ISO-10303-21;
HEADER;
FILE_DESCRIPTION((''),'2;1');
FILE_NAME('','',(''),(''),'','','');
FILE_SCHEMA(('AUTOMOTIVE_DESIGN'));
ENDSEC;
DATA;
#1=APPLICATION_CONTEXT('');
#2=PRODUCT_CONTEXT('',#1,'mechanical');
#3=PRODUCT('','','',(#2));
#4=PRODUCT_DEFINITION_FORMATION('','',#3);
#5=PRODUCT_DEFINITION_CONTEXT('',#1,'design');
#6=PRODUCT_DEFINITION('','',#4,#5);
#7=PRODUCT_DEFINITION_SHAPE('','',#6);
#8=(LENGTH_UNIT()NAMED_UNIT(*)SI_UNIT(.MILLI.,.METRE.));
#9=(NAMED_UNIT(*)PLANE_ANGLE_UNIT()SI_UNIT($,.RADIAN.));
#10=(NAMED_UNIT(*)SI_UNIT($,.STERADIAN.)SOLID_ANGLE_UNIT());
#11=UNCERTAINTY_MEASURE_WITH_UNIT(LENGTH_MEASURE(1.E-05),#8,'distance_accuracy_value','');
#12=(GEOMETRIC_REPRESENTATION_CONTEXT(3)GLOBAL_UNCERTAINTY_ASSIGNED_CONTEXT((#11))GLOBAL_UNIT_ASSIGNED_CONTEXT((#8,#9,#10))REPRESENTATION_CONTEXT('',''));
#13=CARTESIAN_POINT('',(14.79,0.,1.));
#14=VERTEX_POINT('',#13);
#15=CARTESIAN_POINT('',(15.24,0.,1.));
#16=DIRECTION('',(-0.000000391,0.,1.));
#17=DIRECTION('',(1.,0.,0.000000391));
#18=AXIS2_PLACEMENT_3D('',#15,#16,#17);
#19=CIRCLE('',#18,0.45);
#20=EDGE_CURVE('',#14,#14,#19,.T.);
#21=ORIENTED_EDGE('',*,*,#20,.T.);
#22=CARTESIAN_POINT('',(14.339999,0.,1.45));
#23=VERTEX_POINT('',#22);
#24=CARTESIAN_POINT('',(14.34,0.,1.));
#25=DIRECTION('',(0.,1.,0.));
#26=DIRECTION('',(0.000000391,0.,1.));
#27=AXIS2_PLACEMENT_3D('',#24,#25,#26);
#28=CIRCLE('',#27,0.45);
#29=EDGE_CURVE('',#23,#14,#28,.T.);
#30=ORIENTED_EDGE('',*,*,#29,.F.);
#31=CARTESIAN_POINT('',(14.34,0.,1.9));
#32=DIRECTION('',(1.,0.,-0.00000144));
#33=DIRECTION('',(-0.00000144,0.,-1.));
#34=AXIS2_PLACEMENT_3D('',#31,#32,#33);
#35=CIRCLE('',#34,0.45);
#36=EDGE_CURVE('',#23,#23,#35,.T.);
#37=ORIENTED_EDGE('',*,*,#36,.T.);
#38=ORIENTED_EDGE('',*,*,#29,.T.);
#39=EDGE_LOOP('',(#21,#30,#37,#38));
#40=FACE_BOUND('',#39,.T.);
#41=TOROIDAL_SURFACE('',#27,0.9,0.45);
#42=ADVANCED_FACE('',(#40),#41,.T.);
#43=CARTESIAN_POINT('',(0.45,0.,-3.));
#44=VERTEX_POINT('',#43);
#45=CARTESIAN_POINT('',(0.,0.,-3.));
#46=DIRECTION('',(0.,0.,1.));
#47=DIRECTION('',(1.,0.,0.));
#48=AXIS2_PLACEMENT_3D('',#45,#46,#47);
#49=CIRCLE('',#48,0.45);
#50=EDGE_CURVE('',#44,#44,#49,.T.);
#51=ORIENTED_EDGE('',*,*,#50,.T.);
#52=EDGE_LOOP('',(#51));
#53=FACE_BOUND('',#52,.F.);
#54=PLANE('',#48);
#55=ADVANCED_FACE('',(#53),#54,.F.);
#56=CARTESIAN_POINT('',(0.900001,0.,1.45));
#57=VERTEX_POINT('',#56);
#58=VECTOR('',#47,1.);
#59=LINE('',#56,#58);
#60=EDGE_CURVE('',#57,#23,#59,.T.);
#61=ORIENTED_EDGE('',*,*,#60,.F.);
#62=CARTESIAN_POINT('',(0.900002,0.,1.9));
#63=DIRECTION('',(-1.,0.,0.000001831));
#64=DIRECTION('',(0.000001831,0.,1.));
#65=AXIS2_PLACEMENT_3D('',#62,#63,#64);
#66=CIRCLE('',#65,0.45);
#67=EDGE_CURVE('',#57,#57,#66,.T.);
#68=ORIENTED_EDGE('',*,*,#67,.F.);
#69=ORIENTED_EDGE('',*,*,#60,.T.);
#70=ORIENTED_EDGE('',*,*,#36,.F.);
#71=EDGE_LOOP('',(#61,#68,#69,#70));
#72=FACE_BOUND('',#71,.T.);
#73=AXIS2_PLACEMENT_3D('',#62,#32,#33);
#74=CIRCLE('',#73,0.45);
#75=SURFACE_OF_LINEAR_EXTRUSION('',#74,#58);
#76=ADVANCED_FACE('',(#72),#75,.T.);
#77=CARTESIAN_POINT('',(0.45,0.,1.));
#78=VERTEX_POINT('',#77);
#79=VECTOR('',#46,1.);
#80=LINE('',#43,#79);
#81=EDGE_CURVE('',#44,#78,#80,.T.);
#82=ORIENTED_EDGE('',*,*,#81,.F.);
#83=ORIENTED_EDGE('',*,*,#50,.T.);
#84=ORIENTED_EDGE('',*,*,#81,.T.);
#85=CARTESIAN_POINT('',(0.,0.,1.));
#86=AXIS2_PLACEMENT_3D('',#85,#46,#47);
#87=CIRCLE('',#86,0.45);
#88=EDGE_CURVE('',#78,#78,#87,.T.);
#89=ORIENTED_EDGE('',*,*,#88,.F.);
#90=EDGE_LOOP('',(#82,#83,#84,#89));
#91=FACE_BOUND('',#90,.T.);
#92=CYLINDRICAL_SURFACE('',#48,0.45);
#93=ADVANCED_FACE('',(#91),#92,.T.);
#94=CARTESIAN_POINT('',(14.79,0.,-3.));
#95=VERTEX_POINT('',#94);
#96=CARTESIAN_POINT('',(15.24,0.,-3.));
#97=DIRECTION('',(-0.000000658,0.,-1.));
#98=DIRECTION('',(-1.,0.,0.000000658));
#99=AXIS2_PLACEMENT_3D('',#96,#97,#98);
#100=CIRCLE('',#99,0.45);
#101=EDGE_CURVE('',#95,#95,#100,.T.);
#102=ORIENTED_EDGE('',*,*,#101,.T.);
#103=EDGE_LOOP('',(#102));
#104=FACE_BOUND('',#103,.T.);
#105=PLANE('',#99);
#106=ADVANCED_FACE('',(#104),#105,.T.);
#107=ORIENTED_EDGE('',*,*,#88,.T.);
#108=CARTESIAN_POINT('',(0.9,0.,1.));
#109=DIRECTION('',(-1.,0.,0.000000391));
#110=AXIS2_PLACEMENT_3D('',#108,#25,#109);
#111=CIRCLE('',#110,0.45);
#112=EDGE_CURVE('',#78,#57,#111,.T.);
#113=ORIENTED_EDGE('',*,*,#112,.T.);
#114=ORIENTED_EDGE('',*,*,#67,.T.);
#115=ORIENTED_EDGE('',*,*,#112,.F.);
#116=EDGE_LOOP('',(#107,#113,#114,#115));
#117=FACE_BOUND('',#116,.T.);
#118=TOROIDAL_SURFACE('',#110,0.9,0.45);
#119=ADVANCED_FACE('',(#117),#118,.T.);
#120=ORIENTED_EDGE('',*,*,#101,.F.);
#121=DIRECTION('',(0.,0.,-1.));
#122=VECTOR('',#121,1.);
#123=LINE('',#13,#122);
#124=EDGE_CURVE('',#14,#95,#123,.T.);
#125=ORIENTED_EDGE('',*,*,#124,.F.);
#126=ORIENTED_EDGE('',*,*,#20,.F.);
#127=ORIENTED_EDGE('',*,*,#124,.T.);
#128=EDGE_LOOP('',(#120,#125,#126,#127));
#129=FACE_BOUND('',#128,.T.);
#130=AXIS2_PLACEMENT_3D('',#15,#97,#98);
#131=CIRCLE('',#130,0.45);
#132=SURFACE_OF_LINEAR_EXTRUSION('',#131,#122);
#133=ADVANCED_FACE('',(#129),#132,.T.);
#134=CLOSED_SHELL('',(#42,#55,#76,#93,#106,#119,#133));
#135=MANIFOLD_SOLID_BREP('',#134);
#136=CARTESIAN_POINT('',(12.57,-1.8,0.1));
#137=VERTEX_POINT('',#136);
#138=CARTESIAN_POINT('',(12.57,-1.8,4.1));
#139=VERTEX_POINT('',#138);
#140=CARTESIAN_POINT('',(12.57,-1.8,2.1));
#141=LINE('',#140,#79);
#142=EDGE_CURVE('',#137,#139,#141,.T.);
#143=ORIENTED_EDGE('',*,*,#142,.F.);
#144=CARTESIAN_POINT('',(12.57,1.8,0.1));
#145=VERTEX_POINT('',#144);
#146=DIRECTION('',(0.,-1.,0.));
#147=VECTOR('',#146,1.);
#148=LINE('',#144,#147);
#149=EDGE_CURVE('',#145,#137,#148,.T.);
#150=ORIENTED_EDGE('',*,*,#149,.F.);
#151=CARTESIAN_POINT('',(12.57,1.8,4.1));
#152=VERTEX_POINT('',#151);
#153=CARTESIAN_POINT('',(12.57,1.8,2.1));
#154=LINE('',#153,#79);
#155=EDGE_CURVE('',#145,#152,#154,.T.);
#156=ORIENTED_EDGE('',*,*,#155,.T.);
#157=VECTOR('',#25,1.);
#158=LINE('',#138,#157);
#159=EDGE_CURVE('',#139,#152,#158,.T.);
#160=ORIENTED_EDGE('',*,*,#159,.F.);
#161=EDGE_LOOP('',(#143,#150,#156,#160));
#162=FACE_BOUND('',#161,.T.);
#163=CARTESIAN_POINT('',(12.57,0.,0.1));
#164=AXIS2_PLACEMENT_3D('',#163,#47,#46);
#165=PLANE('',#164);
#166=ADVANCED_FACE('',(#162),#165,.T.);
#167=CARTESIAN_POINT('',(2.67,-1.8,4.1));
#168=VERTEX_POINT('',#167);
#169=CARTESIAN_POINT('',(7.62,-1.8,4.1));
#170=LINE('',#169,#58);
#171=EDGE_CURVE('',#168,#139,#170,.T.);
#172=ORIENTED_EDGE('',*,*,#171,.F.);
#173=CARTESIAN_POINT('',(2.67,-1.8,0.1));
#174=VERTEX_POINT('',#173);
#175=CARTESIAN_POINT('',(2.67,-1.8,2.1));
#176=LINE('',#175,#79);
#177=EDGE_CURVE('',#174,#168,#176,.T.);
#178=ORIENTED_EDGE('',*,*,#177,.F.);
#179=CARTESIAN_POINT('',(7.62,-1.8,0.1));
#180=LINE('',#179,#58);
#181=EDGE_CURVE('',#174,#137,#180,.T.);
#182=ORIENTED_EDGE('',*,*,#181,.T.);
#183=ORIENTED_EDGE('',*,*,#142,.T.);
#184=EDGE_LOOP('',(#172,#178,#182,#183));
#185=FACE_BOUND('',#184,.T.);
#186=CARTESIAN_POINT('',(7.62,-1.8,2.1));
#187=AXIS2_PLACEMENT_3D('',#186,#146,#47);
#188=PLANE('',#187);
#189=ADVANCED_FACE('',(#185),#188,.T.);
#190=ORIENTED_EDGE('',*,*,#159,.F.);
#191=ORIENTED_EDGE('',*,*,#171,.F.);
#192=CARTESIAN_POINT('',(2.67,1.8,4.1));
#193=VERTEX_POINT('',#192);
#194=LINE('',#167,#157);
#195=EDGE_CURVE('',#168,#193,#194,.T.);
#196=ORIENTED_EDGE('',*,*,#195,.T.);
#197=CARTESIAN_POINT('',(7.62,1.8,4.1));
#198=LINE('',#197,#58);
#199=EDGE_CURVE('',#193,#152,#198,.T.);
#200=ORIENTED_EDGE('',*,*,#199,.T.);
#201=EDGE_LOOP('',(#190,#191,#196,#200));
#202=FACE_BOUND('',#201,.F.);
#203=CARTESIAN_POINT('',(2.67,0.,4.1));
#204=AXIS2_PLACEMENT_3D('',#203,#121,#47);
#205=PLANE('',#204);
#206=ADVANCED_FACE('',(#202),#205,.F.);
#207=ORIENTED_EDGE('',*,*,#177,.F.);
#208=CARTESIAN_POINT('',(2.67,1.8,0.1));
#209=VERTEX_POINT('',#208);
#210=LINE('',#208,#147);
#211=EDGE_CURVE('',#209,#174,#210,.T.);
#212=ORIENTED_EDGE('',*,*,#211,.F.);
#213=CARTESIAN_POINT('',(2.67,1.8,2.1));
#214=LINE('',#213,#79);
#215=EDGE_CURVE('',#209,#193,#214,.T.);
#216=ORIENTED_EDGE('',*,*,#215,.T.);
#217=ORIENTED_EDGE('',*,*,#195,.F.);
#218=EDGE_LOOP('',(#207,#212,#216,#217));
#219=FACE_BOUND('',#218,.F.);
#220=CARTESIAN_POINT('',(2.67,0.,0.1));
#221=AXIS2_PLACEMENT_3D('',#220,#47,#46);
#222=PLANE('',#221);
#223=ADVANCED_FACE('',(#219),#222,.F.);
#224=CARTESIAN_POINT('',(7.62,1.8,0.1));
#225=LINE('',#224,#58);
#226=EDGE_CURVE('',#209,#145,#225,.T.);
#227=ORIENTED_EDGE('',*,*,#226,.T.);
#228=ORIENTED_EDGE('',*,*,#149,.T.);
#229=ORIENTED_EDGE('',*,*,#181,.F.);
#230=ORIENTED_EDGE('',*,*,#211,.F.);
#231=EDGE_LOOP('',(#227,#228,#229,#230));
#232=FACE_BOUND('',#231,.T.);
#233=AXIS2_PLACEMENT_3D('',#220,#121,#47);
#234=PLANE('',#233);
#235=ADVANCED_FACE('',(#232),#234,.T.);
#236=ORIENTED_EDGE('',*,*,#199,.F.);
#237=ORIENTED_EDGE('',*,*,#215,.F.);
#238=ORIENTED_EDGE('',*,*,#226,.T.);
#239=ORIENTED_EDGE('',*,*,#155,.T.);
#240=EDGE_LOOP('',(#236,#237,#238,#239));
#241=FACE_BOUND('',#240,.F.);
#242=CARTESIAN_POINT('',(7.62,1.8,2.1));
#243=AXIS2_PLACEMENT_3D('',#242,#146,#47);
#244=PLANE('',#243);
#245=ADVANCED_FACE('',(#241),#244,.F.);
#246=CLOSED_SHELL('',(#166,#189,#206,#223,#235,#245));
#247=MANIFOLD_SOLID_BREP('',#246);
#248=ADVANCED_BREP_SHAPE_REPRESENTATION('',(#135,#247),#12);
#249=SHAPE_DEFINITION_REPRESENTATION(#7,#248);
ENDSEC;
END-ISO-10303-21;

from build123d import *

# Parameters (mm, degrees)
SKETCH_R    = 0.45
SKETCH002_W = 9.9
SKETCH002_H = 4
PAD_DEPTH   = 1.8


with BuildPart() as sweep_body:
    # Sweep: sweep along a path in Sketch001
    with BuildLine(Plane.XZ) as sweep_path:
        Line((0, -3), (0, 1))
        ThreePointArc((0, 1), (0.263605, 1.636397), (0.900002, 1.9))
        Line((0.900002, 1.9), (14.34, 1.9))
        ThreePointArc((14.34, 1.9), (14.976396, 1.636396), (15.24, 1))
        Line((15.24, 1), (15.24, -3))
    # Sketch → Sweep (sweep)
    with BuildSketch(Plane.XY.offset(-2)):
        Circle(SKETCH_R)
    sweep(path=sweep_path.line)


with BuildPart() as pad:
    # Sketch002 → Pad (new body, symmetric)
    with BuildSketch(Plane.XZ):
        with Locations((7.62, 2.1)):
            Rectangle(SKETCH002_W, SKETCH002_H)
    extrude(amount=PAD_DEPTH, both=True)


solid = Compound([sweep_body.part, pad.part])
